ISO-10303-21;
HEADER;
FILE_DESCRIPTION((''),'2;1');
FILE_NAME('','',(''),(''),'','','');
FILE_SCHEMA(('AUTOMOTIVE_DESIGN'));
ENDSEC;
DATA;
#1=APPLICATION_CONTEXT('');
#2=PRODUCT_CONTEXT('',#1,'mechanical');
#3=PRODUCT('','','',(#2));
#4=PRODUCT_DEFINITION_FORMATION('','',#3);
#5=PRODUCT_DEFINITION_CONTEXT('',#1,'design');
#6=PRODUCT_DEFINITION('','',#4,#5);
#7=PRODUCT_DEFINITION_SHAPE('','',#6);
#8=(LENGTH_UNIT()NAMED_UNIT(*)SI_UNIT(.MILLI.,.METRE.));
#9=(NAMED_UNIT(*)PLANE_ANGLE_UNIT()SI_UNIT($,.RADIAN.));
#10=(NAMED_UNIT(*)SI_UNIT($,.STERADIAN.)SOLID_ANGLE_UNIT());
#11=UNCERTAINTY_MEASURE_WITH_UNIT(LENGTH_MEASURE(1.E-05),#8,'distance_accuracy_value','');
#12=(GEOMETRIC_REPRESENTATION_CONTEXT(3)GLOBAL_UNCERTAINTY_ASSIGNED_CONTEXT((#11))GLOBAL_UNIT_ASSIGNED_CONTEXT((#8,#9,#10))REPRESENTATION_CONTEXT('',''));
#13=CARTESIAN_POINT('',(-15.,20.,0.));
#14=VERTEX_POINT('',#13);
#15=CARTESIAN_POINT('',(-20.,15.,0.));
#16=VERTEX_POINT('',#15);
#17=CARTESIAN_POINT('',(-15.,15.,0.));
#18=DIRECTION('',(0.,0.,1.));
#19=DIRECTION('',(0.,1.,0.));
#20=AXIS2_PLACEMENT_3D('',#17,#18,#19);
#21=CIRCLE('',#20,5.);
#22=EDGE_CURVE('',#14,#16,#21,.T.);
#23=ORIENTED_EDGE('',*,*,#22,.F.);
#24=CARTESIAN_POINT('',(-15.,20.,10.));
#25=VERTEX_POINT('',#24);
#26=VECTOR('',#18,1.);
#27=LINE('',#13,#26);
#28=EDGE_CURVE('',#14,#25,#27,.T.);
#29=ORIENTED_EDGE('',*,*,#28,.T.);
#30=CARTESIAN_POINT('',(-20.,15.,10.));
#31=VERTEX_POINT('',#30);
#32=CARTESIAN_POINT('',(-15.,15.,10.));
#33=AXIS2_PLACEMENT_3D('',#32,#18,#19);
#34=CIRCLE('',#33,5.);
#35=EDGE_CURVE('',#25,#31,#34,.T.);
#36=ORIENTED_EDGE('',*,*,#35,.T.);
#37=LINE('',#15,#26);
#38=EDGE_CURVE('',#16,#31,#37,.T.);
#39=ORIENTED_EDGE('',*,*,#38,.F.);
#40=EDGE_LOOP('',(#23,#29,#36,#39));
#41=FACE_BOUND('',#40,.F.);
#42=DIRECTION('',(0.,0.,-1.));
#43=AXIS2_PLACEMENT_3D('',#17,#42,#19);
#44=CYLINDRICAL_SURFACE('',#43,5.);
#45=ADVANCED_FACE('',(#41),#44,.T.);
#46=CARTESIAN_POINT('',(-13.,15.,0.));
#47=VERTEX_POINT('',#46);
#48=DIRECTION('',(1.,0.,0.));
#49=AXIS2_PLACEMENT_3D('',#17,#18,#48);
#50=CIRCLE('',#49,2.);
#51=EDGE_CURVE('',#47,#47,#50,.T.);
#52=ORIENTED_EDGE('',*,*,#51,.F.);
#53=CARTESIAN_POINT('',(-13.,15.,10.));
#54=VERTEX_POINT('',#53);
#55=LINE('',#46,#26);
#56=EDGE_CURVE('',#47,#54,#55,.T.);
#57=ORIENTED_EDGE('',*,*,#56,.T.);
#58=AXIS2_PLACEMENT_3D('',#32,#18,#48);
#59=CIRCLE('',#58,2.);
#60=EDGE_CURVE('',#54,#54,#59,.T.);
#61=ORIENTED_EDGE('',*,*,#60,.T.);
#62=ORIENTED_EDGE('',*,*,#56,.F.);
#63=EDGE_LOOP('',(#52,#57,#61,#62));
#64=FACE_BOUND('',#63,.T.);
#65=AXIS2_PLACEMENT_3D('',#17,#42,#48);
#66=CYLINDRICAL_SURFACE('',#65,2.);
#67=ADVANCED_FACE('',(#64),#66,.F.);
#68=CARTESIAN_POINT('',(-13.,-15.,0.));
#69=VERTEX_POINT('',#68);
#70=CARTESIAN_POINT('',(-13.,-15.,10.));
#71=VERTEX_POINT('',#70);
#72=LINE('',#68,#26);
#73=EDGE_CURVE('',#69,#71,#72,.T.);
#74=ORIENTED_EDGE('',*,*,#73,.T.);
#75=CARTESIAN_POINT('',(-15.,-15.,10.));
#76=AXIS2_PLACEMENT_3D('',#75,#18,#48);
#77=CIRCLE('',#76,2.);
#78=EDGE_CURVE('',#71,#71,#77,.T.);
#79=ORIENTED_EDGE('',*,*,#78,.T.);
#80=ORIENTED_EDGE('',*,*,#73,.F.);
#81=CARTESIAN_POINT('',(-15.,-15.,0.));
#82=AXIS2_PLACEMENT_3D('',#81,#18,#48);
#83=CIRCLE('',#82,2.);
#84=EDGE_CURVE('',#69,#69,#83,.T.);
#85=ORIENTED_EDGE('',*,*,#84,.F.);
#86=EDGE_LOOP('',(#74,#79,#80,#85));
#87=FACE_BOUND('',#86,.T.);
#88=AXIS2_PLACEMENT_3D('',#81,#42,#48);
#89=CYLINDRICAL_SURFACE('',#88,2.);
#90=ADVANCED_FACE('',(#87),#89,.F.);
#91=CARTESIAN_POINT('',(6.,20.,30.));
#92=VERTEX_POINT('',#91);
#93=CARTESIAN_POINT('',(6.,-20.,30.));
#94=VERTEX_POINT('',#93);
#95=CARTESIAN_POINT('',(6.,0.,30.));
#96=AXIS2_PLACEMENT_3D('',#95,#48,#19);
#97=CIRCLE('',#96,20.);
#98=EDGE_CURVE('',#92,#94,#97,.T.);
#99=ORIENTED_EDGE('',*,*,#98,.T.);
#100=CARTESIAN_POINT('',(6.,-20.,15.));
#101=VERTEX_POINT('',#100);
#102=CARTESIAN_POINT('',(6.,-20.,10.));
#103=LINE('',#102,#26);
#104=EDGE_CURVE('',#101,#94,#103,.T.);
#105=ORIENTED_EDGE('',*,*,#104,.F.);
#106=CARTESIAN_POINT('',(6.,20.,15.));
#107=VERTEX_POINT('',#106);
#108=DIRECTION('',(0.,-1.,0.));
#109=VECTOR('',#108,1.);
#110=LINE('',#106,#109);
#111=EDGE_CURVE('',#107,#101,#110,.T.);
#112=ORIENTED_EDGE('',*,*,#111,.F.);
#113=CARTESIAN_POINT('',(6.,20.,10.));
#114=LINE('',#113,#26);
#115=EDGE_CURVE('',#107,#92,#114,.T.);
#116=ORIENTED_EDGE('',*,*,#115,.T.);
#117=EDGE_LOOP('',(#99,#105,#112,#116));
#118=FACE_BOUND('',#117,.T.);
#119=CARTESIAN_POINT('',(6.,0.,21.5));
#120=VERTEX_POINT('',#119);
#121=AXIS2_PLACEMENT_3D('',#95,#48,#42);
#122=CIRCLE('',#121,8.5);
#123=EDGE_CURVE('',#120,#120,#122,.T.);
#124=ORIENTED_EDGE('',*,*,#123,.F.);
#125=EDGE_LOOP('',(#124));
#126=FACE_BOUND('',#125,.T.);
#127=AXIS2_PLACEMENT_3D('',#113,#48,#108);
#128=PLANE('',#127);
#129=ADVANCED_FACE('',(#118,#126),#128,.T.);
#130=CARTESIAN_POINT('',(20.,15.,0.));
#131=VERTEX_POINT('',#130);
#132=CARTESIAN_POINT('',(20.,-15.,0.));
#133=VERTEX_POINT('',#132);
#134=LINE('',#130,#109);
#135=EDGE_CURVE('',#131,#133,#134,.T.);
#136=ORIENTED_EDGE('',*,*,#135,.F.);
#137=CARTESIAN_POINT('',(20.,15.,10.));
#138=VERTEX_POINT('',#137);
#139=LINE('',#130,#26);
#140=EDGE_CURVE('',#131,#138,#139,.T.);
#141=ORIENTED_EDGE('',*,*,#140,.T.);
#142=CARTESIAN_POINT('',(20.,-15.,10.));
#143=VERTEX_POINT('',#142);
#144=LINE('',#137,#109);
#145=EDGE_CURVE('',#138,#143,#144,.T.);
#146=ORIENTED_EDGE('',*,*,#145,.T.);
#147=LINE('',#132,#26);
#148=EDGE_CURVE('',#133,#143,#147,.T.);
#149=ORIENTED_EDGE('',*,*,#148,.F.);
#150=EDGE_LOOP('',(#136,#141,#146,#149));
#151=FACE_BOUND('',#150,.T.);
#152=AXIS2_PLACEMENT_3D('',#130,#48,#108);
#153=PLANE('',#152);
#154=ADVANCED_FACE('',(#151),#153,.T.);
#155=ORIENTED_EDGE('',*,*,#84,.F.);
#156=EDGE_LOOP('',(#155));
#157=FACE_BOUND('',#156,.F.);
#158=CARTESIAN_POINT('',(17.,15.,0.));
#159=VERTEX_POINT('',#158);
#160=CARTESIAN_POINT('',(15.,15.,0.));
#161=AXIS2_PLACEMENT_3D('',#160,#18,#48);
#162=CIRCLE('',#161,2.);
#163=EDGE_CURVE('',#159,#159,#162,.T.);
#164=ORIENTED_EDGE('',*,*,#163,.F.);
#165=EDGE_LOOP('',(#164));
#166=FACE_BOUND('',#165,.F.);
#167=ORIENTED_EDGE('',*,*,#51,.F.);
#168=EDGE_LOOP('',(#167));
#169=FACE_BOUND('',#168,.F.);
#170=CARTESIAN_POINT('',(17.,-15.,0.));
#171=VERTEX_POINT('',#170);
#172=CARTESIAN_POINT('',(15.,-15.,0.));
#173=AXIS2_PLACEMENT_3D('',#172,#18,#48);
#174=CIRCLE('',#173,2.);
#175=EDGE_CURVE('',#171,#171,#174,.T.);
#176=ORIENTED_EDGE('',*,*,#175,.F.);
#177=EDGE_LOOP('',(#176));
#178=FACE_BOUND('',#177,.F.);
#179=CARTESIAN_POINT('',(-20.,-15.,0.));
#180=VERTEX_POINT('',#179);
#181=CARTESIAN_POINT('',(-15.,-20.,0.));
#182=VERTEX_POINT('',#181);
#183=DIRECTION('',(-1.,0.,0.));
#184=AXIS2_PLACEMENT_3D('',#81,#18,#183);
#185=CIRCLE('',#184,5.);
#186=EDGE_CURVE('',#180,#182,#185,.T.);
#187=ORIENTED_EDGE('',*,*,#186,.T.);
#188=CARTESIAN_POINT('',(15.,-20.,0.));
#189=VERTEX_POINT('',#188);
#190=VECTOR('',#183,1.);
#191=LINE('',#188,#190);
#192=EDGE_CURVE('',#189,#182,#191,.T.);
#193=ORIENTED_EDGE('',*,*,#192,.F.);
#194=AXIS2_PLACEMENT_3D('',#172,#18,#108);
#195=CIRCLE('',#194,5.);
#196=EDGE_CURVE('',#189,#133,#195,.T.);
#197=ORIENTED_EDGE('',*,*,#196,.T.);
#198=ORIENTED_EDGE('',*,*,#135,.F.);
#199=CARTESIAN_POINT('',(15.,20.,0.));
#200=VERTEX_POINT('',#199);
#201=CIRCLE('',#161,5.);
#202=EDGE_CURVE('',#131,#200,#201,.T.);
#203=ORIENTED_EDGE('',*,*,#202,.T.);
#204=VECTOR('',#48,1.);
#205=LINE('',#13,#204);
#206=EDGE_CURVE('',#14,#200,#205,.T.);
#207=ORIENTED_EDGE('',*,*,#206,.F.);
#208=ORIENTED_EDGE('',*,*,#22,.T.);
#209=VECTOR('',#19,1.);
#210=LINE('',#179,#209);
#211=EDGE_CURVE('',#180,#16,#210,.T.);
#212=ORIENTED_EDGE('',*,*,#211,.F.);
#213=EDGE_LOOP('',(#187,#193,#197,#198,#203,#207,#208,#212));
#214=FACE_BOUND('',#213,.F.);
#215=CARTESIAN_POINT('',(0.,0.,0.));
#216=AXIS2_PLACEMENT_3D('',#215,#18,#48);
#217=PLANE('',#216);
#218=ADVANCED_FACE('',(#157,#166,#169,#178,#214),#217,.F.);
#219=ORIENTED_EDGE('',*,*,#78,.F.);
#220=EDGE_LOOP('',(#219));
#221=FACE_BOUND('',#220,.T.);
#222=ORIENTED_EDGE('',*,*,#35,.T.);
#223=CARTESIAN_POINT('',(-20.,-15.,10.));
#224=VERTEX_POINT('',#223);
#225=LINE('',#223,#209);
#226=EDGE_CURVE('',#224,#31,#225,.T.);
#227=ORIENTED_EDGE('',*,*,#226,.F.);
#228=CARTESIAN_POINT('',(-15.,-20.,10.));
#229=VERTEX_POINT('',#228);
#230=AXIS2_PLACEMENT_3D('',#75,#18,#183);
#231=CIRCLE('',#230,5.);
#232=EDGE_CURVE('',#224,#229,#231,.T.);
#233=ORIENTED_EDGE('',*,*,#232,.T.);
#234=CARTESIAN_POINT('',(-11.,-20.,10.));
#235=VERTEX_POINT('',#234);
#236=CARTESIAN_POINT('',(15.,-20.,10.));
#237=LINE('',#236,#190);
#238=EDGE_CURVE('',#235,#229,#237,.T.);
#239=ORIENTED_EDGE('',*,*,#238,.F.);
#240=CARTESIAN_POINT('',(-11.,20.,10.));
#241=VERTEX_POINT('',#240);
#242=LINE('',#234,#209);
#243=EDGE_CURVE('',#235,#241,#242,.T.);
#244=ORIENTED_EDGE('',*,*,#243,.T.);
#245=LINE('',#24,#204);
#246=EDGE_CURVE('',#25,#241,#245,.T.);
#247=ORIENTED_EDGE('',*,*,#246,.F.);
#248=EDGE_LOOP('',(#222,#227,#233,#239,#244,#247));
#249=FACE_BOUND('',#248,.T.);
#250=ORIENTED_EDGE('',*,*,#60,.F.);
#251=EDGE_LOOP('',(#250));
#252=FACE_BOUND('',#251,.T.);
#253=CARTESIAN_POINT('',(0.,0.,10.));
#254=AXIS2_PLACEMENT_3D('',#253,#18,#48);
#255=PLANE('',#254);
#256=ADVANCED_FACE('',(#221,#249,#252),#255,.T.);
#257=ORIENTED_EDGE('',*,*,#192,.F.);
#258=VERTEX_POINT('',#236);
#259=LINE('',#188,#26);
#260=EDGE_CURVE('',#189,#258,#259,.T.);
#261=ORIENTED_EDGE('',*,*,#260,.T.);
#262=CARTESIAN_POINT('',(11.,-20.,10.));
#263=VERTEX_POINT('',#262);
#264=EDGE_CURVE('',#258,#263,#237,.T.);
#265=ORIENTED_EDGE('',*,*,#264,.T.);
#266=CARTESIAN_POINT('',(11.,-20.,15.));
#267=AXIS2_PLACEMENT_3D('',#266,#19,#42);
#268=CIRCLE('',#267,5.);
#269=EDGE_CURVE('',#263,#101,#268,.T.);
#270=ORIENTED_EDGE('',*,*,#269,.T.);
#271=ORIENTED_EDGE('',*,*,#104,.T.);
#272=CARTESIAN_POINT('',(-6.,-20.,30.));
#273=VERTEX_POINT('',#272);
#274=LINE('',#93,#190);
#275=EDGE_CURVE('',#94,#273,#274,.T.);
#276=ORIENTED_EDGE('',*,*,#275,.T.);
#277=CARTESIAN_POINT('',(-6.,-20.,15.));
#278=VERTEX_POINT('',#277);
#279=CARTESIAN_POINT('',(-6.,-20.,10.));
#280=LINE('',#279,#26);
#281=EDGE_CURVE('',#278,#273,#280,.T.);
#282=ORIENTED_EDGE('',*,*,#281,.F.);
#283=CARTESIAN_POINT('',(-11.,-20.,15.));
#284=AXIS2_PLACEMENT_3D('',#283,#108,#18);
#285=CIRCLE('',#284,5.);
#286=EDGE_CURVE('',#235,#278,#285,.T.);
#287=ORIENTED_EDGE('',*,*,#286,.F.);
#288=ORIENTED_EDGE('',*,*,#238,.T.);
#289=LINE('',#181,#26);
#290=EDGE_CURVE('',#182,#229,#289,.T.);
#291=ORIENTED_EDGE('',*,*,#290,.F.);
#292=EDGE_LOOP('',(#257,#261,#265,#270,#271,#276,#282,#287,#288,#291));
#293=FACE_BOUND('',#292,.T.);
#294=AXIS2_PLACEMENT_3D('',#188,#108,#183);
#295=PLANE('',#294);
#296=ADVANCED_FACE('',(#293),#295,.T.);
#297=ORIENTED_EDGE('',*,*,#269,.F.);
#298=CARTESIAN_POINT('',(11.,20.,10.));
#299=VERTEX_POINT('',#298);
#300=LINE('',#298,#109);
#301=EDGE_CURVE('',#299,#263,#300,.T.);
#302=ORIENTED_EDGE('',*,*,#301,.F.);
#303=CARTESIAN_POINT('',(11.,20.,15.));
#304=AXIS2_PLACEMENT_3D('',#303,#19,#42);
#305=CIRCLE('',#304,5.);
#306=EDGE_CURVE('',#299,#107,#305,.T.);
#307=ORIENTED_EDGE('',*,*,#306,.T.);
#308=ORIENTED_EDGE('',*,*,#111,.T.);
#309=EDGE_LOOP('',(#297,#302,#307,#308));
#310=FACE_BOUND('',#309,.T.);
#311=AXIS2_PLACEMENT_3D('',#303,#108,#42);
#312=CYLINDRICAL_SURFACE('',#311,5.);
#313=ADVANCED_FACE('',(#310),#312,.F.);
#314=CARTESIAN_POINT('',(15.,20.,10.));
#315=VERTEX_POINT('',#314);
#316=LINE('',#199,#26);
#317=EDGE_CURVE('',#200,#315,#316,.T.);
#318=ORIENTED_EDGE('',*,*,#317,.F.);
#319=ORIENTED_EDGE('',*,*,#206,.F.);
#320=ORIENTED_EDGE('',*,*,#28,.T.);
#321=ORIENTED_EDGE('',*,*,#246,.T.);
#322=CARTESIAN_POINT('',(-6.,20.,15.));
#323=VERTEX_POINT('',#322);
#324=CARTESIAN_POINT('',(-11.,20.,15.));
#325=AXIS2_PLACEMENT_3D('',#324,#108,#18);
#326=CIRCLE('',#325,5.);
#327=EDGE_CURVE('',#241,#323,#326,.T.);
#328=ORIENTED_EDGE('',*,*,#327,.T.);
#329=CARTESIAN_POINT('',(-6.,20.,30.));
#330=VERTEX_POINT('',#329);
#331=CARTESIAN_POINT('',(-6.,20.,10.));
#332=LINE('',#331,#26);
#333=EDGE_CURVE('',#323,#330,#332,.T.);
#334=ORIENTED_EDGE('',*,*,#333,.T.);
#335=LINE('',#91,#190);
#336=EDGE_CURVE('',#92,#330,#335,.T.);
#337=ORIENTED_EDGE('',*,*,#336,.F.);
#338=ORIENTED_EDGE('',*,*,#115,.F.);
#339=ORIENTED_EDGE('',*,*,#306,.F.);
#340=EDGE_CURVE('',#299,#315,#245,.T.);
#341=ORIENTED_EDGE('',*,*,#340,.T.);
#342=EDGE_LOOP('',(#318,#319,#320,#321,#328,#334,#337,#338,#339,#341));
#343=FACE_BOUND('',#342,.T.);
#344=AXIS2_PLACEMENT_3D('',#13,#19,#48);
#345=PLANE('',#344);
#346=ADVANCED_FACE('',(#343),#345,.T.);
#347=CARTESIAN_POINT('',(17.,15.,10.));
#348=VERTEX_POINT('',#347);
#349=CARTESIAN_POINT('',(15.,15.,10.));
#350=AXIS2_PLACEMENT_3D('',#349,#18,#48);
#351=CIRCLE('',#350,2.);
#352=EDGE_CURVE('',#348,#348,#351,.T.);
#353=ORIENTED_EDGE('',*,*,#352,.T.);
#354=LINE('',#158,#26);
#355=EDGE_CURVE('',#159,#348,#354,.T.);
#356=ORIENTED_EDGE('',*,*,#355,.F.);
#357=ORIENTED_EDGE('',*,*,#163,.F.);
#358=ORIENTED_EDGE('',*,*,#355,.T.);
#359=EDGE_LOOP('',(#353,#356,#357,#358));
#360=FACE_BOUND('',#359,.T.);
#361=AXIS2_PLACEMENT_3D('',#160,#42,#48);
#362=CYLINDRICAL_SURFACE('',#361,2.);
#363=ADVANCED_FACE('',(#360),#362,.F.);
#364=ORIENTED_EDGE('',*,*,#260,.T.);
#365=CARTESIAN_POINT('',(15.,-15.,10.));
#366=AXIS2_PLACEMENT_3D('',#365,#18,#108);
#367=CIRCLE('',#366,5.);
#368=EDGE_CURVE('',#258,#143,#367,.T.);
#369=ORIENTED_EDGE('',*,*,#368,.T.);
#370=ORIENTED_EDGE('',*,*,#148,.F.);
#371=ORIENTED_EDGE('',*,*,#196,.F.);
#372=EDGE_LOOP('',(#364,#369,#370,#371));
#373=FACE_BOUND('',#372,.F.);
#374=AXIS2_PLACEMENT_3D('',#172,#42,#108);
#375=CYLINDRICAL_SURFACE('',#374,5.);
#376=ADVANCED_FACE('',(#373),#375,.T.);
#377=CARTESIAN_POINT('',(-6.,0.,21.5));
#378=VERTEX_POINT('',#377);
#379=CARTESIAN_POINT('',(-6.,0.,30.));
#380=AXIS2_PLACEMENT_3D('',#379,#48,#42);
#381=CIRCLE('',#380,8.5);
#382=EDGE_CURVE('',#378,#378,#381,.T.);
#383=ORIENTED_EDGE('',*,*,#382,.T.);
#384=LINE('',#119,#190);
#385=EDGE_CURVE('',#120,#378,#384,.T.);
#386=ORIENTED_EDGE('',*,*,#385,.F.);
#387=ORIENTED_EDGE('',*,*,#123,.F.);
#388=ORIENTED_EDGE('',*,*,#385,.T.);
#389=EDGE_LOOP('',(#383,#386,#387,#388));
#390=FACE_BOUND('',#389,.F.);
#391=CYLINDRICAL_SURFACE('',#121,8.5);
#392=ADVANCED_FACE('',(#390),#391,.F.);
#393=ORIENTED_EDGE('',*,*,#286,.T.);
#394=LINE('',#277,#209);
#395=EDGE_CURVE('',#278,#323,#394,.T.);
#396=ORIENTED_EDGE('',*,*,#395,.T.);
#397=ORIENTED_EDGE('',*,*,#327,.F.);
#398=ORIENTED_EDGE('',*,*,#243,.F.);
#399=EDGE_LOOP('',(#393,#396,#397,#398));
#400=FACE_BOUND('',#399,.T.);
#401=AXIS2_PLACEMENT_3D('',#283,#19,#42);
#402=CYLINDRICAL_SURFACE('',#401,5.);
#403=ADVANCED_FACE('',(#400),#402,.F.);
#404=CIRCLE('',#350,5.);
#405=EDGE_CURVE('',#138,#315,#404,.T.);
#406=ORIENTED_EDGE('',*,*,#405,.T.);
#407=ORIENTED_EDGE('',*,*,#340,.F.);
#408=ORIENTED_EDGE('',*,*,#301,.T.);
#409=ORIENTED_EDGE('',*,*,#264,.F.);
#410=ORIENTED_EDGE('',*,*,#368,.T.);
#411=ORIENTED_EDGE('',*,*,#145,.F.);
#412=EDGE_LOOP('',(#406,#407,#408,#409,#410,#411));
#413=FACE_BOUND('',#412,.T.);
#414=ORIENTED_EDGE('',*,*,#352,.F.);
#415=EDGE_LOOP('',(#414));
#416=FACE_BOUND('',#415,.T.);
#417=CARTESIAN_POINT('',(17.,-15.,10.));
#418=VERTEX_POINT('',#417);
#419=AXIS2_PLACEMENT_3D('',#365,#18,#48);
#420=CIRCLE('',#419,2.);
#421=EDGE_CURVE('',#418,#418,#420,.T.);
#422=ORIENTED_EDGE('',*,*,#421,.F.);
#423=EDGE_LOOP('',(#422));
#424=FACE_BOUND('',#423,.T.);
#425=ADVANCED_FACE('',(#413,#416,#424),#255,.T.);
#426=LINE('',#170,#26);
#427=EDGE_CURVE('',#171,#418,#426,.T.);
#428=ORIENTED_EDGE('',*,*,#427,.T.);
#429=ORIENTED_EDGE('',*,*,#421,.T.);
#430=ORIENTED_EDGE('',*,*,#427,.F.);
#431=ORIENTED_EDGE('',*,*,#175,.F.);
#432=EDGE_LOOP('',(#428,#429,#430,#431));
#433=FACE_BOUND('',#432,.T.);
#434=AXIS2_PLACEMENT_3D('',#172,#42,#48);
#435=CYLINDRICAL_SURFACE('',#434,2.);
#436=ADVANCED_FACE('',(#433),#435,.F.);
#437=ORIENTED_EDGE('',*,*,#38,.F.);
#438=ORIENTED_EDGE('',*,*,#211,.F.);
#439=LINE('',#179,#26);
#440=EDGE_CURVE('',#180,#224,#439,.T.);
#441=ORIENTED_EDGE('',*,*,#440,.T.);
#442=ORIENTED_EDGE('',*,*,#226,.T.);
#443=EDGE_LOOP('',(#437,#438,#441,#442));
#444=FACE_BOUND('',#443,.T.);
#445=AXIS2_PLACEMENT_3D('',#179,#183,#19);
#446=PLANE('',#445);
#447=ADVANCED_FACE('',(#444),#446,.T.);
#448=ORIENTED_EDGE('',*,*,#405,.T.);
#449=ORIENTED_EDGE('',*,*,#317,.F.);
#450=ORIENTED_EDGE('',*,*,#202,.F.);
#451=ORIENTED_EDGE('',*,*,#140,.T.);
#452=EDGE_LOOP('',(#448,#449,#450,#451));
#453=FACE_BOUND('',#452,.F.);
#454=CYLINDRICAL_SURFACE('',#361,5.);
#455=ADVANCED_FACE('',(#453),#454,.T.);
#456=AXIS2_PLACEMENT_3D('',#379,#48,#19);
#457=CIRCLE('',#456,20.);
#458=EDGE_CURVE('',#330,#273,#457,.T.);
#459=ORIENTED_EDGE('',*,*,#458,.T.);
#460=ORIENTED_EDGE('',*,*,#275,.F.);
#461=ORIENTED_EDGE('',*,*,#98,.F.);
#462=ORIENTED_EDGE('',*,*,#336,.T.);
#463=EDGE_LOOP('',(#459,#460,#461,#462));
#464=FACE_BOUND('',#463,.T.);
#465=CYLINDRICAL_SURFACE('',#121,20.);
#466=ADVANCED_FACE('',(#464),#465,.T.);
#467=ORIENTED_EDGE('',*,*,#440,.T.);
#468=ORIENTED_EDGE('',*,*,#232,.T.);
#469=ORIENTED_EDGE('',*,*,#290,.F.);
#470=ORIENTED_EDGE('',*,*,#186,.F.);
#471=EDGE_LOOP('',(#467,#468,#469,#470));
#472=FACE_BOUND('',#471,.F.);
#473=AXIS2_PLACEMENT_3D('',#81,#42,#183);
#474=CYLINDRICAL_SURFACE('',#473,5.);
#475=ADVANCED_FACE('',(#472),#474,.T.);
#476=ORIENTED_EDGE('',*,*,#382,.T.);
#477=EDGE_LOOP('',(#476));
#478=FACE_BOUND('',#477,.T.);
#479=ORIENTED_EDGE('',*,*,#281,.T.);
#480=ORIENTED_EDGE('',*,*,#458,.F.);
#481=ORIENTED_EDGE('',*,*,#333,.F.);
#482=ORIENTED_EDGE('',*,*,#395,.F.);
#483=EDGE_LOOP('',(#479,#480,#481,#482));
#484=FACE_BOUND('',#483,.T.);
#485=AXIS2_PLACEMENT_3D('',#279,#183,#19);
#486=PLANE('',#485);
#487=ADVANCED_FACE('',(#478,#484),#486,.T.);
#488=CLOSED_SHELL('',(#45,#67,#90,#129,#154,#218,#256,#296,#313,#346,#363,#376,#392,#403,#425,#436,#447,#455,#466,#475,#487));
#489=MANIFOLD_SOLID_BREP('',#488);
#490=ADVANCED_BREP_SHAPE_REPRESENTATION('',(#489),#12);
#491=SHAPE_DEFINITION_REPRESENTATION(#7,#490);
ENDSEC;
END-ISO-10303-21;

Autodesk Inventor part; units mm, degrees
ref_plane "YZ Plane" through (0, 0, 0) normal (1, 0, 0) x (0, 1, 0)
ref_plane "XZ Plane" through (0, 0, 0) normal (0, 1, 0) x (-1, 0, 0)
ref_plane "XY Plane" through (0, 0, 0) normal (0, 0, 1) x (1, 0, 0)
sketch "Sketch5" plane through (0, 0, 0) normal (0, 0, 1) x (1, 0, 0)
  line L0 (-15, 15) -> (15, 15) construction
  line L1 (15, 15) -> (15, -15) construction
  line L2 (15, -15) -> (-15, -15) construction
  line L3 (-15, -15) -> (-15, 15) construction
  line L4 (-15, 15) -> (15, -15) construction
  line L5 (15, 15) -> (-15, -15) construction
  circle A0 centre (-15, 15) radius 2
  circle A1 centre (15, 15) radius 2
  circle A2 centre (15, -15) radius 2
  circle A3 centre (-15, -15) radius 2
  line L6 (-15, 20) -> (15, 20)
  line L7 (20, 15) -> (20, -15)
  line L8 (15, -20) -> (-15, -20)
  line L9 (-20, -15) -> (-20, 15)
  line L10 (-20, 20) -> (20, -20) construction
  line L11 (20, 20) -> (-20, -20) construction
  arc A4 (20, 15) -> (15, 20) centre (15, 15) ccw
  arc A5 (15, -20) -> (20, -15) centre (15, -15) ccw
  arc A6 (-20, -15) -> (-15, -20) centre (-15, -15) ccw
  arc A7 (-15, 20) -> (-20, 15) centre (-15, 15) ccw
  point P0 (0, 0)
  dimension "d16" = 4
  dimension "d17" = 30
  dimension "d18" = 40
  dimension "d20" = 5
extrude "Extrusion5" add sketch "Sketch5" along normal blind 10
sketch "Sketch6" plane through (0, 0, 10) normal (0, 0, 1) x (1, 0, 0)
  line L0 (-15, -20) -> (15, -20) projected
  line L1 (-6, 20) -> (6, 20)
  line L2 (6, 20) -> (6, -20)
  line L3 (6, -20) -> (-6, -20)
  line L4 (-6, -20) -> (-6, 20)
  line L5 (-6, 20) -> (6, -20) construction
  line L6 (6, 20) -> (-6, -20) construction
  point P0 (0, 0)
  dimension "d23" = 12
extrude "Extrusion6" add sketch "Sketch6" along normal blind 40
fillet "Fillet2" radius 5 2 edges at (6, 0, 10) (-6, 0, 10)
sketch "Sketch7" plane through (6, -20, 50) normal (1, 0, 0) x (0, 0, -1)
  circle A0 centre (20, 20) radius 8.5
  circle A1 centre (20, 20) radius 20
  line L0 (0, 0) -> (0, 40) projected
  line L1 (40, 0) -> (40, 40) projected
  line L2 (35, 0) -> (0, 0) projected
  line L3 (20, 0) -> (0, 0)
  line L4 (0, 0) -> (0, 40)
  line L5 (0, 40) -> (20, 40)
  line L6 (35, 40) -> (0, 40) projected
  point P0 (50, 20)
  point P1 (0, 20)
  dimension "d27" = 17
extrude "Extrusion7" cut sketch "Sketch7" against normal blind 50 contours A0 | A1 L0 L5 | L2 L0 A1
sketch "Sketch1" plane through (0, 0, 0) normal (0, 1, 0) x (-1, 0, 0)
  line L0 (27.5, 22.5) -> (-27.5, 22.5)
  line L1 (-27.5, 22.5) -> (-27.5, -22.5)
  line L2 (-27.5, -22.5) -> (27.5, -22.5)
  line L3 (27.5, -22.5) -> (27.5, 22.5)
  point P0 (0, 0)
  point P1 (27.5, 0)
  point P2 (0, -22.5)
  dimension "d0" = 45
  dimension "d1" = 55
sketch "Sketch2" plane through (0, 10, 0) normal (0, 1, 0) x (1, 0, 0)
  line L0 (-27.5, 22.5) -> (-27.5, -22.5) projected
  line L1 (-27.5, -22.5) -> (27.5, -22.5) projected
  line L2 (-27.5, 22.5) -> (-19.5, 22.5)
  line L3 (-19.5, 22.5) -> (-19.5, -22.5)
  line L4 (-19.5, -22.5) -> (-27.5, -22.5)
  line L5 (-27.5, -22.5) -> (-27.5, 22.5)
  line L6 (27.5, -22.5) -> (27.5, 22.5) projected
  line L7 (27.5, 22.5) -> (19.5, 22.5)
  line L8 (19.5, 22.5) -> (19.5, -22.5)
  line L9 (19.5, -22.5) -> (27.5, -22.5)
  line L10 (27.5, -22.5) -> (27.5, 22.5)
  point P0 (0, 0)
  dimension "d4" = 8
  dimension "d5" = 8
sketch "Sketch4" plane through (0, 0, 0) normal (0, -1, 0) x (1, 0, 0)
  line L0 (15, 15) -> (-15, 15) construction
  line L1 (-15, 15) -> (-15, -15) construction
  line L2 (-15, -15) -> (15, -15) construction
  line L3 (15, -15) -> (15, 15) construction
  line L4 (15, 15) -> (-15, -15) construction
  line L5 (-15, 15) -> (15, -15) construction
  circle A0 centre (15, -15) radius 2
  circle A1 centre (-15, -15) radius 2
  circle A2 centre (-15, 15) radius 2
  circle A3 centre (15, 15) radius 2
  point P0 (0, 0)
  dimension "d12" = 30
  dimension "d13" = 4
sketch "Sketch3" plane through (27.5, 0, 22.5) normal (1, 0, 0) x (0, 0, -1)
  circle A0 centre (22.5, 25) radius 15
  line L0 (22.5, 25) -> (22.5, 47.5) construction
  line L1 (45, 47.5) -> (0, 47.5) projected
  line L2 (22.5, 25) -> (45, 25) construction
  line L3 (45, 0) -> (45, 47.5) projected
  point P0 (22.5, 0)
  dimension "d9" = 30
properties part number "DoubleHinger"
